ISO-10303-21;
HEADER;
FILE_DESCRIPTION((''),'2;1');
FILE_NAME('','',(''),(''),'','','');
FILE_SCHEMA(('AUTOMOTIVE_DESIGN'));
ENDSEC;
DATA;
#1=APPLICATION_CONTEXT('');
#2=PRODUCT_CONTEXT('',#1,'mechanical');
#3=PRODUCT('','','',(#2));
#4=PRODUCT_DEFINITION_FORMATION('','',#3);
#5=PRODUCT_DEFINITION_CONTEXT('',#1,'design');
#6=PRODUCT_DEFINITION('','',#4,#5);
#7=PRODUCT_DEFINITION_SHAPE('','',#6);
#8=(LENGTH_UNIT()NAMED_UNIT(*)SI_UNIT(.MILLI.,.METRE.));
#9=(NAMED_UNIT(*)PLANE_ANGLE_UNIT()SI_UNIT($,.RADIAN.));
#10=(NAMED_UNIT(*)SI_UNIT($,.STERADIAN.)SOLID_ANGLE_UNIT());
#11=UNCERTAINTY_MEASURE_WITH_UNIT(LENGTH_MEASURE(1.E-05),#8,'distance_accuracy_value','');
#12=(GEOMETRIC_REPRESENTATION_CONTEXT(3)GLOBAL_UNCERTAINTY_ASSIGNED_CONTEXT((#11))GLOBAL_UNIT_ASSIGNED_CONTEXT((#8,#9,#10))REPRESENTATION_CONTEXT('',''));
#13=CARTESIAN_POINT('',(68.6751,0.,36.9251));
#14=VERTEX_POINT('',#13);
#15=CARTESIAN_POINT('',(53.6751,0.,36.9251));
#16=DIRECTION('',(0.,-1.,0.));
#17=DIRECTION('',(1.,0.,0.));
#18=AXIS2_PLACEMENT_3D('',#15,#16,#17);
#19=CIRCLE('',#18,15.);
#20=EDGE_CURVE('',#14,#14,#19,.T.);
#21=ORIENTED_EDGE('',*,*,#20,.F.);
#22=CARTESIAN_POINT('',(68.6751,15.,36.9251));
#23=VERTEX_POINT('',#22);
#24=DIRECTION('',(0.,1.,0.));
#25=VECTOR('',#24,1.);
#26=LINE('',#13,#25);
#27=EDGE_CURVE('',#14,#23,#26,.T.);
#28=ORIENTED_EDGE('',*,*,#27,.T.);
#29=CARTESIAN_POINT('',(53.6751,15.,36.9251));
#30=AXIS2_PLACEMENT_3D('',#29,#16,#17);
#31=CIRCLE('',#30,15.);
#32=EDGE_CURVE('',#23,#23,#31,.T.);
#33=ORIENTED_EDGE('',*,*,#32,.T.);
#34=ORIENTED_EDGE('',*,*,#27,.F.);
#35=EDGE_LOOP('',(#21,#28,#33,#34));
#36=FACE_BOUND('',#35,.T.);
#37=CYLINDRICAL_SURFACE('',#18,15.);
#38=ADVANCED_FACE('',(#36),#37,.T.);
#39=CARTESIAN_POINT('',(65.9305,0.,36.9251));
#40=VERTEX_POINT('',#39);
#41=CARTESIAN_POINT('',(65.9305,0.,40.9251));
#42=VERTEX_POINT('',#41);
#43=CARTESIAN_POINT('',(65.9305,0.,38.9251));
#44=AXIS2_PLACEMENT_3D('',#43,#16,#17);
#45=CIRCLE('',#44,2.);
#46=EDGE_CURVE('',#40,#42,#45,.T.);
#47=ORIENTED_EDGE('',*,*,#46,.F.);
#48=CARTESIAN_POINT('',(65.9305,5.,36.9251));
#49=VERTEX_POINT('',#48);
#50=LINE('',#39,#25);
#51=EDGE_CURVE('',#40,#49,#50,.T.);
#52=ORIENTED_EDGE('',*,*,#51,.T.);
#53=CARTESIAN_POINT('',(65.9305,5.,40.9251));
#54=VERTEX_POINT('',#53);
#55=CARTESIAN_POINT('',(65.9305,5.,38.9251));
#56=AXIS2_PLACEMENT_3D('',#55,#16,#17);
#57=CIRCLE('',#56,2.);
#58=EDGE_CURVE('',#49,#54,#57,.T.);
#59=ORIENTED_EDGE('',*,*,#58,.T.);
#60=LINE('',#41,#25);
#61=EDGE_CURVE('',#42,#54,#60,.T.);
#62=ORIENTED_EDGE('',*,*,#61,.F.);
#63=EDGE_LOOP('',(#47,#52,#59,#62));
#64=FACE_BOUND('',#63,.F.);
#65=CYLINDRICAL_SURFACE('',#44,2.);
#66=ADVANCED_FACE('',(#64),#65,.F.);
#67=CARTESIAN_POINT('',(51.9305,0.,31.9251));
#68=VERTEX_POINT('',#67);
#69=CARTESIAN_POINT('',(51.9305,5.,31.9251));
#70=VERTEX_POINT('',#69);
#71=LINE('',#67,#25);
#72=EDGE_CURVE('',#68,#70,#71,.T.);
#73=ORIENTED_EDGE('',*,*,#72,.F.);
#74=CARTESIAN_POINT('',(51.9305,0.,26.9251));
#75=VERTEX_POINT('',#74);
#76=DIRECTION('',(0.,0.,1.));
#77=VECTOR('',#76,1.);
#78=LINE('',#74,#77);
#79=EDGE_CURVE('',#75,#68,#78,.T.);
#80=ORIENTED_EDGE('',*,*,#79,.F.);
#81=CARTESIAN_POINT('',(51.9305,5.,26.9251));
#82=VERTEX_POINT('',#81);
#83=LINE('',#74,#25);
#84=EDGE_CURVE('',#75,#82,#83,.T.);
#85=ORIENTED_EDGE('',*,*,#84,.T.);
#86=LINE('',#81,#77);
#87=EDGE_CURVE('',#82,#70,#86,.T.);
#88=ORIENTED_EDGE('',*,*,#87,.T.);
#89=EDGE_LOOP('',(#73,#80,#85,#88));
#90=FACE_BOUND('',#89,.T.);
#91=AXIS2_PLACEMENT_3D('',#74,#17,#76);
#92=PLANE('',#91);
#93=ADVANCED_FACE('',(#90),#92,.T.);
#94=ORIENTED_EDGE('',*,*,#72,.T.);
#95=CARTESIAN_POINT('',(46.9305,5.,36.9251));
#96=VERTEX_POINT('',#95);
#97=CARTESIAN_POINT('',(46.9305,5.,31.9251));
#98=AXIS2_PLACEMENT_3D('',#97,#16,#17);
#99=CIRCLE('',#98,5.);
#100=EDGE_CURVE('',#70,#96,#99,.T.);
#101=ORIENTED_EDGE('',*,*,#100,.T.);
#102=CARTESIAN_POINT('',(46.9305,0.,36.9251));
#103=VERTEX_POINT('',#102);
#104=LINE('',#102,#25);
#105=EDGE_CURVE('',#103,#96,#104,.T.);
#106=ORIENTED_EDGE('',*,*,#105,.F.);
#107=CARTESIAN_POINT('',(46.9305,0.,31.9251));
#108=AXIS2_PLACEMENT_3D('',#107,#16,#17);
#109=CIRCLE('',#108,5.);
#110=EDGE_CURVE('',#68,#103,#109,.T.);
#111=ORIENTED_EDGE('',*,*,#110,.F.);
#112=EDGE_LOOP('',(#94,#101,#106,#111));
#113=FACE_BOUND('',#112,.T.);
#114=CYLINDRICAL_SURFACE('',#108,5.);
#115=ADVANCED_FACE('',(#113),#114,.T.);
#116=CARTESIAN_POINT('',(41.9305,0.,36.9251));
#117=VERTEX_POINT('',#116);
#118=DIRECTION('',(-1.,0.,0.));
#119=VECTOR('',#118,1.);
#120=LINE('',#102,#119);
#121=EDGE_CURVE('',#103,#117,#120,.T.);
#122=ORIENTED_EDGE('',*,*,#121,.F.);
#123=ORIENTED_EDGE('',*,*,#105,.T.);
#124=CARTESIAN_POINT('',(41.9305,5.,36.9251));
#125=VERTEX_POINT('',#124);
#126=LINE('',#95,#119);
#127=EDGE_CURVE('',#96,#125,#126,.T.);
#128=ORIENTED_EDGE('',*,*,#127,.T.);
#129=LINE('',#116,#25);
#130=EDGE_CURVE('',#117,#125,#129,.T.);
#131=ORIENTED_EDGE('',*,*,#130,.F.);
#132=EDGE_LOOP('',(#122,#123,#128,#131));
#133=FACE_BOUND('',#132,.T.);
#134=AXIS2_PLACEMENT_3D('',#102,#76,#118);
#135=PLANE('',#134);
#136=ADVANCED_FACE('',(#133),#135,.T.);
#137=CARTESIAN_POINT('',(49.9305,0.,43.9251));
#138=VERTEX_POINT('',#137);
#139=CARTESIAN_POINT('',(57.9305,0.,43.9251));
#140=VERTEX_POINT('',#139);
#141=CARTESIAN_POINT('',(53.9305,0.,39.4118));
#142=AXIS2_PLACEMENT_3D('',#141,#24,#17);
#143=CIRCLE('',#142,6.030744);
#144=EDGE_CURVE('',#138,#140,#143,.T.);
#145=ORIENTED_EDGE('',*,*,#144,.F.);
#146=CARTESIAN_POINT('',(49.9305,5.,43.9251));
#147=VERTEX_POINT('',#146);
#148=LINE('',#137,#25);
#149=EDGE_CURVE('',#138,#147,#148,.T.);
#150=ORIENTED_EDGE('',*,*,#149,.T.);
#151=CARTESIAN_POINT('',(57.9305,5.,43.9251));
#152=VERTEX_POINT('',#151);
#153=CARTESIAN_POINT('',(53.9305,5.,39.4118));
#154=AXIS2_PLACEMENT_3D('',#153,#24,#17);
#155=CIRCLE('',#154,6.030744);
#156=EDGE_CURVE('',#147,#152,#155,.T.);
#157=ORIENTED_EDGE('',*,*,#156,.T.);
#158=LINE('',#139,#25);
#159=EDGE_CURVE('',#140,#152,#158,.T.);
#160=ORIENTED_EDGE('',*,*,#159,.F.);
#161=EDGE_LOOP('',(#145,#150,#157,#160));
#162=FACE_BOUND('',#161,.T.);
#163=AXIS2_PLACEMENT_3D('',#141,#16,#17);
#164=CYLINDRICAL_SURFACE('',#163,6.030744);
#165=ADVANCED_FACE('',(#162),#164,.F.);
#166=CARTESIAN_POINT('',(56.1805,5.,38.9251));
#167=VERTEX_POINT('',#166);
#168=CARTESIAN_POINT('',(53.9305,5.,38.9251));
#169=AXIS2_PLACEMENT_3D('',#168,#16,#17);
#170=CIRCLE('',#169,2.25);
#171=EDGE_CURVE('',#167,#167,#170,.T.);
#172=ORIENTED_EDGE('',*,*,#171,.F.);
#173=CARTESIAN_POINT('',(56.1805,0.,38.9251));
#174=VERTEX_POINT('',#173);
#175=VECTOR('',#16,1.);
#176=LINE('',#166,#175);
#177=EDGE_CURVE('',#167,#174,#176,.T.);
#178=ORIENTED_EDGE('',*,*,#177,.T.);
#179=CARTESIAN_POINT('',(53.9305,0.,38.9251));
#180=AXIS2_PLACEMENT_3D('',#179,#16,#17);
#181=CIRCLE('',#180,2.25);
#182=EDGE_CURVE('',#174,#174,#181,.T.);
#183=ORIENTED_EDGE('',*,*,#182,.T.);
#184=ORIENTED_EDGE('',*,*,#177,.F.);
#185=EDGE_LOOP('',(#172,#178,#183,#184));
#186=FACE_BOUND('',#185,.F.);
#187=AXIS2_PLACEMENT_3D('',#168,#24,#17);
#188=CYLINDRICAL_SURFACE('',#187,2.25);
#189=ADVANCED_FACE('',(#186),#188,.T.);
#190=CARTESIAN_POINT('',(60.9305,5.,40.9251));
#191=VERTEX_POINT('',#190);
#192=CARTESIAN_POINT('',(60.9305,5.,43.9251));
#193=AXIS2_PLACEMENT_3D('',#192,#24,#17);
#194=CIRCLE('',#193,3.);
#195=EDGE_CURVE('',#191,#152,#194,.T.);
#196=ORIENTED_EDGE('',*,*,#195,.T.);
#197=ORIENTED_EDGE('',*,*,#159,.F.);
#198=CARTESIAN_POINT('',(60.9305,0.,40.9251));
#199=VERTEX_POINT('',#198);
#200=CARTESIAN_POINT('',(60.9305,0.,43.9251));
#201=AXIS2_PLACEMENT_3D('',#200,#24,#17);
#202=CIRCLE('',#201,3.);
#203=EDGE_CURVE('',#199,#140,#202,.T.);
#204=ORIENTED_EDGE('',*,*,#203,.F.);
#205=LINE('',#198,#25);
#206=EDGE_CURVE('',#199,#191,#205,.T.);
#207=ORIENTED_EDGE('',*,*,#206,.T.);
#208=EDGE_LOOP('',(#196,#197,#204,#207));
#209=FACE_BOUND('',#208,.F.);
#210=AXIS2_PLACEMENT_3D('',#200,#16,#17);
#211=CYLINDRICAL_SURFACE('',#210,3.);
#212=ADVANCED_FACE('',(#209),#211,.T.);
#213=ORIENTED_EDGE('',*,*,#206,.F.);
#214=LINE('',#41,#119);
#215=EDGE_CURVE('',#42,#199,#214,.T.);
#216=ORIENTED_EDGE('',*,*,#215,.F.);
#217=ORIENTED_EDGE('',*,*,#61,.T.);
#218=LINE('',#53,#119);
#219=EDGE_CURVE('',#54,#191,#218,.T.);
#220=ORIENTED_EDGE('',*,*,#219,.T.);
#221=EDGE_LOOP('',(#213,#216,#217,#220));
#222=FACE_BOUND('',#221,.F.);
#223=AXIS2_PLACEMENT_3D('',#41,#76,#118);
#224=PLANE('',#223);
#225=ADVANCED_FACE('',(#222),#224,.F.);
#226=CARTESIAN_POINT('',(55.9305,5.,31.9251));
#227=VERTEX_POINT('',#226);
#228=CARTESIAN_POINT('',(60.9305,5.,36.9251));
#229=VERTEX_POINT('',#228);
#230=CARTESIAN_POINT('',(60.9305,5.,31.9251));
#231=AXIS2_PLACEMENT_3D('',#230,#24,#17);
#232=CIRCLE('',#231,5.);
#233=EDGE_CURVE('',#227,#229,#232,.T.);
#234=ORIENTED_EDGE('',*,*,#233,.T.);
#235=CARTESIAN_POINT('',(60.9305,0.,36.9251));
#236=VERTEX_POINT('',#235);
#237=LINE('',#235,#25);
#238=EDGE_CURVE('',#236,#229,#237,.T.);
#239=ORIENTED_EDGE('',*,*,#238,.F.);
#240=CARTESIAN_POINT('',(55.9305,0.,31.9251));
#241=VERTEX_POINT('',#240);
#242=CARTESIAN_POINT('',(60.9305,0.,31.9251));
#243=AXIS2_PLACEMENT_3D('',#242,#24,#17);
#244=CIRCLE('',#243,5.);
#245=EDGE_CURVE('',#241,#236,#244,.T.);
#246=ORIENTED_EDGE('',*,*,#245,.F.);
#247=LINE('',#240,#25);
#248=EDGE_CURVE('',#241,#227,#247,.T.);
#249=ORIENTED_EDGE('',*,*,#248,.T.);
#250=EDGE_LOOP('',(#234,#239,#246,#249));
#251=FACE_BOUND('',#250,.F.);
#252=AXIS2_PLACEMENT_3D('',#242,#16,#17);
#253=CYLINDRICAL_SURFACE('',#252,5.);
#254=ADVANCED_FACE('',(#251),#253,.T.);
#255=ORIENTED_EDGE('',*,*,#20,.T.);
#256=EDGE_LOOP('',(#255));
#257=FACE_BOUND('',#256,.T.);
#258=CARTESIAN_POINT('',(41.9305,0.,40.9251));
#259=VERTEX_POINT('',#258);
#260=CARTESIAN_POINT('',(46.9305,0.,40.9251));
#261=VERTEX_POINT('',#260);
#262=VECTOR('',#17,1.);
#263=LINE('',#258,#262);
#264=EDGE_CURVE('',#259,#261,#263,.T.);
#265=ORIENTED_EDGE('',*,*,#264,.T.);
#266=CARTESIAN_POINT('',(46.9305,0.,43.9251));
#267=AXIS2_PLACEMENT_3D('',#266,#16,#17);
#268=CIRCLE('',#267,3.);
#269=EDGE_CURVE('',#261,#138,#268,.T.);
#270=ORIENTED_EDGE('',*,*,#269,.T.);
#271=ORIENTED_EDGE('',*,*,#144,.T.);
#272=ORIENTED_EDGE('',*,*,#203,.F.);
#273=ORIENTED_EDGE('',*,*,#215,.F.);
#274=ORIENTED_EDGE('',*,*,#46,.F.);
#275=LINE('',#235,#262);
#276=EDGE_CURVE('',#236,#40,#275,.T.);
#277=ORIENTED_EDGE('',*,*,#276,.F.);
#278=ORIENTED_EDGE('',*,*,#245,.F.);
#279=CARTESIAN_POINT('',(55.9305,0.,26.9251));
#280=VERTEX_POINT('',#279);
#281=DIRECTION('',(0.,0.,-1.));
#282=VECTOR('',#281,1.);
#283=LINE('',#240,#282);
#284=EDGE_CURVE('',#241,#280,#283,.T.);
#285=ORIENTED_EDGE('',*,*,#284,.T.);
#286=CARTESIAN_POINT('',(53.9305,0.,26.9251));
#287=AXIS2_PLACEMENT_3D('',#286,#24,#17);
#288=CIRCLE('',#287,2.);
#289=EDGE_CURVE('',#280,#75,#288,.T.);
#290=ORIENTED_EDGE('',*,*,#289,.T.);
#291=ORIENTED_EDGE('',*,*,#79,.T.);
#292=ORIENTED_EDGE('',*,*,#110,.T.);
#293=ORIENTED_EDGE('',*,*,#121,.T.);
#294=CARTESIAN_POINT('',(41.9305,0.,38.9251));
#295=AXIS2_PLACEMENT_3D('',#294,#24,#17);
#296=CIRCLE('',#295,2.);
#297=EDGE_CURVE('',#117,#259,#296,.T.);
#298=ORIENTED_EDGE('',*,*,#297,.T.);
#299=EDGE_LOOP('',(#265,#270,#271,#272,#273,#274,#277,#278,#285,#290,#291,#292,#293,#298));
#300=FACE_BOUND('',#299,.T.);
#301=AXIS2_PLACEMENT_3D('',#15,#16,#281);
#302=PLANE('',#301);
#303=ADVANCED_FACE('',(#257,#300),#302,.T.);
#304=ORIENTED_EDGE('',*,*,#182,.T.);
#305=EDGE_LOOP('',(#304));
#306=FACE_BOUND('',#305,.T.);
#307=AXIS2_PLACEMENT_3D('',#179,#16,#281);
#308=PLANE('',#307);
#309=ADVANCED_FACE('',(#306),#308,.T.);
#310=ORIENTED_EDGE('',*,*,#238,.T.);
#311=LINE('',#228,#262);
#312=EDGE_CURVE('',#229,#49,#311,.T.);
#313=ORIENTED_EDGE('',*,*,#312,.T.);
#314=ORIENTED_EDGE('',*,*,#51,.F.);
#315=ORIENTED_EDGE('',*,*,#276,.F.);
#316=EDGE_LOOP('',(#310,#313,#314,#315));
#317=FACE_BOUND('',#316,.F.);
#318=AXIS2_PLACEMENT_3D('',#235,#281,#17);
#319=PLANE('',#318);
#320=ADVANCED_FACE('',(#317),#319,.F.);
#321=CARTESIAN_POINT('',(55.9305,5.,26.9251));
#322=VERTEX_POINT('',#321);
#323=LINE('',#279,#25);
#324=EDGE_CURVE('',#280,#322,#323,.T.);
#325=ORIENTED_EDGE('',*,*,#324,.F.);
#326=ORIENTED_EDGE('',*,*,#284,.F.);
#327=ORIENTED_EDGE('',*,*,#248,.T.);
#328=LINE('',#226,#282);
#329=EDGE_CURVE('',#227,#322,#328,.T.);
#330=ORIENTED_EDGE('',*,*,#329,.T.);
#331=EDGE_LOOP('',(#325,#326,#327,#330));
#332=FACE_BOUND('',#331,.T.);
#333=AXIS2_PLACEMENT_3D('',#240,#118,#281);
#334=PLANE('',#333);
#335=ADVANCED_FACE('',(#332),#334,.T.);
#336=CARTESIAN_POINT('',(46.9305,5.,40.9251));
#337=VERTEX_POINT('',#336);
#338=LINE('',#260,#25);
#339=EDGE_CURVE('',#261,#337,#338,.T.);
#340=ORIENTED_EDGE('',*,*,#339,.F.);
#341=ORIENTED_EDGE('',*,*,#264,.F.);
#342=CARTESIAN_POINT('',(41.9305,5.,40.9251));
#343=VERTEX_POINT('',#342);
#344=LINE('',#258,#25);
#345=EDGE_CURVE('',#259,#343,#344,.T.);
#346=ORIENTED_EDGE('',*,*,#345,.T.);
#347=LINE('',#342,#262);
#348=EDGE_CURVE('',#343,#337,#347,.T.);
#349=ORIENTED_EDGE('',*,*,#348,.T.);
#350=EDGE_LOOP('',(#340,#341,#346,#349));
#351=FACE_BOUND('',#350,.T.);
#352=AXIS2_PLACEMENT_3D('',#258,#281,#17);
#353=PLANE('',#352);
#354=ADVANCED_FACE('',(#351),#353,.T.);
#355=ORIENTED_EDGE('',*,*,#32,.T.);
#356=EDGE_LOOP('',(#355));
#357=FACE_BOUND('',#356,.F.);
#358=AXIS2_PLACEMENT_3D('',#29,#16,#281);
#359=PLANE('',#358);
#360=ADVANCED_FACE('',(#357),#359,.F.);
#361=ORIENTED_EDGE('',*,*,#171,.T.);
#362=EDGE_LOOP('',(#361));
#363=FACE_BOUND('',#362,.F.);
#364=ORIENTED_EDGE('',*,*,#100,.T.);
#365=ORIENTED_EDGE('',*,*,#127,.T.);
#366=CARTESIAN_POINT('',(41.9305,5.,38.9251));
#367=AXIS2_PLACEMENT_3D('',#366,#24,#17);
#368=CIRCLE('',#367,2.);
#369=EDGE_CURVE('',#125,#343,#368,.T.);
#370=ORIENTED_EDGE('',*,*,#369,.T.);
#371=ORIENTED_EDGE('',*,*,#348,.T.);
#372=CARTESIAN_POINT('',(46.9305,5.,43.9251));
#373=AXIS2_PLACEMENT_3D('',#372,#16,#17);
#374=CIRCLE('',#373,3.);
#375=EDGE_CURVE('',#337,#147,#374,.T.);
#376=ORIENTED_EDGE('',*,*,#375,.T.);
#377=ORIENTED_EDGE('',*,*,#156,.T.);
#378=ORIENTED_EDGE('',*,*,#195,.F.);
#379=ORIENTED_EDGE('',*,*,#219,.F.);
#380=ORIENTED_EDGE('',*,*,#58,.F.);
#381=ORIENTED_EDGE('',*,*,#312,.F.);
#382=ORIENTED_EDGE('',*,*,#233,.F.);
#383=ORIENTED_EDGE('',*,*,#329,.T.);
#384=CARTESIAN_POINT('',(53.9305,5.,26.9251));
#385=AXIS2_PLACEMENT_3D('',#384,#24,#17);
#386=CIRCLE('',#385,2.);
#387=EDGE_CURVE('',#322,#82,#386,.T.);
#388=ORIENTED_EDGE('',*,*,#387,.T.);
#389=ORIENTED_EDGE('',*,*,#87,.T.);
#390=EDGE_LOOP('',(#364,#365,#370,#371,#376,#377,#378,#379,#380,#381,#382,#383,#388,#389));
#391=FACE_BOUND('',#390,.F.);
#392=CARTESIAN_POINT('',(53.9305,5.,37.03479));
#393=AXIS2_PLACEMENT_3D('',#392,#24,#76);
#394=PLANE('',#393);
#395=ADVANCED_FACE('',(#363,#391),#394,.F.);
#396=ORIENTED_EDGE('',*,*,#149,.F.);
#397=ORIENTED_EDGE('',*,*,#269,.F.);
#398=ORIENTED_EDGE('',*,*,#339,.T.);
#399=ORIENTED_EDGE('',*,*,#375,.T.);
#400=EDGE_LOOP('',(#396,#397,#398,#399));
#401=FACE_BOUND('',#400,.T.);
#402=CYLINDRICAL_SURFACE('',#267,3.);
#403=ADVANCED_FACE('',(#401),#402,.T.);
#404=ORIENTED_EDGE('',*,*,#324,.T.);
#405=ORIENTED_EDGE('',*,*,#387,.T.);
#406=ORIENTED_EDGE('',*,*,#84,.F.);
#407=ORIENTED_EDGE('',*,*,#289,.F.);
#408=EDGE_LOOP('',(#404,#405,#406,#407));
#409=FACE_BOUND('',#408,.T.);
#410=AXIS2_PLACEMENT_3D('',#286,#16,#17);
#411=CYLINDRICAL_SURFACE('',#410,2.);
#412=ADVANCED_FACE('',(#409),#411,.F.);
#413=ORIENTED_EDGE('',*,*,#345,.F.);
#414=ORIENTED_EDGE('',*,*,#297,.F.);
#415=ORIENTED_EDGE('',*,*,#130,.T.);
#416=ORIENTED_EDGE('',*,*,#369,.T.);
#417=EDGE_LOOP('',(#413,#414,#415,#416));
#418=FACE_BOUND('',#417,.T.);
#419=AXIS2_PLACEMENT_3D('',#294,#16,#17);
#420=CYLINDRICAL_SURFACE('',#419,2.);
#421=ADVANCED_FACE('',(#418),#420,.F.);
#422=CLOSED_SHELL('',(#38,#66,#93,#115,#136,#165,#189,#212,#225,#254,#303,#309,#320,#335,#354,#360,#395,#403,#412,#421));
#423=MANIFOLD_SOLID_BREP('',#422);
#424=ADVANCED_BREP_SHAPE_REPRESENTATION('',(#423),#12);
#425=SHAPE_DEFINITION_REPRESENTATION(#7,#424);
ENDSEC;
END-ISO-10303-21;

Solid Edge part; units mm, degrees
sketch "Sketch1" plane through (0, 0, 0) normal (0, -1, 0) x (1, 0, 0)
  circle A0 centre (53.6751, 36.9251) radius 15
extrude "ExtrudedProtrusion_1" add sketch "Sketch1" against normal blind 15
sketch "Sketch2" plane through (63.9305, 0, 41.9251) normal (0, -1, 0) x (1, 0, 0)
  line L0 (-8, -10) -> (-8, -15)
  arc A0 (-8, -15) -> (-12, -15) centre (-10, -15) cw
  line L1 (-12, -15) -> (-12, -10)
  arc A1 (-12, -10) -> (-17, -5) centre (-17, -10) ccw
  line L2 (-17, -5) -> (-22, -5)
  arc A2 (-22, -5) -> (-22, -1) centre (-22, -3) cw
  line L3 (-22, -1) -> (-17, -1)
  arc A3 (-17, -1) -> (-14, 2) centre (-17, 2) ccw
  arc A4 (-14, 2) -> (-6, 2) centre (-10, -2.5133) cw
  arc A5 (-3, -1) -> (-6, 2) centre (-3, 2) cw
  line L4 (2, -1) -> (-3, -1)
  arc A6 (2, -5) -> (2, -1) centre (2, -3) ccw
  line L5 (-3, -5) -> (2, -5)
  arc A7 (-8, -10) -> (-3, -5) centre (-3, -10) cw
  dimension "D1" = 5
  dimension "D2" = 2
  dimension "D3" = 5
  dimension "D4" = 5
  dimension "D5" = 5
  dimension "D6" = 2
  dimension "D7" = 5
  dimension "D8" = 5
  dimension "D9" = 2
  dimension "D10" = 5
  dimension "D11" = 5
  dimension "D12" = 3
  dimension "D13" = 3
  dimension "D14" = 10
extrude "Cutout1" cut sketch "Sketch2" against normal blind 5
sketch "Sketch3" plane through (63.9305, 5, 35.4251) normal (0, -1, 0) x (1, 0, 0)
  circle A0 centre (-10, 3.5) radius 2.25
  dimension "D1" = 4.5
extrude "ExtrudedProtrusion_3" add sketch "Sketch3" along normal blind 5
